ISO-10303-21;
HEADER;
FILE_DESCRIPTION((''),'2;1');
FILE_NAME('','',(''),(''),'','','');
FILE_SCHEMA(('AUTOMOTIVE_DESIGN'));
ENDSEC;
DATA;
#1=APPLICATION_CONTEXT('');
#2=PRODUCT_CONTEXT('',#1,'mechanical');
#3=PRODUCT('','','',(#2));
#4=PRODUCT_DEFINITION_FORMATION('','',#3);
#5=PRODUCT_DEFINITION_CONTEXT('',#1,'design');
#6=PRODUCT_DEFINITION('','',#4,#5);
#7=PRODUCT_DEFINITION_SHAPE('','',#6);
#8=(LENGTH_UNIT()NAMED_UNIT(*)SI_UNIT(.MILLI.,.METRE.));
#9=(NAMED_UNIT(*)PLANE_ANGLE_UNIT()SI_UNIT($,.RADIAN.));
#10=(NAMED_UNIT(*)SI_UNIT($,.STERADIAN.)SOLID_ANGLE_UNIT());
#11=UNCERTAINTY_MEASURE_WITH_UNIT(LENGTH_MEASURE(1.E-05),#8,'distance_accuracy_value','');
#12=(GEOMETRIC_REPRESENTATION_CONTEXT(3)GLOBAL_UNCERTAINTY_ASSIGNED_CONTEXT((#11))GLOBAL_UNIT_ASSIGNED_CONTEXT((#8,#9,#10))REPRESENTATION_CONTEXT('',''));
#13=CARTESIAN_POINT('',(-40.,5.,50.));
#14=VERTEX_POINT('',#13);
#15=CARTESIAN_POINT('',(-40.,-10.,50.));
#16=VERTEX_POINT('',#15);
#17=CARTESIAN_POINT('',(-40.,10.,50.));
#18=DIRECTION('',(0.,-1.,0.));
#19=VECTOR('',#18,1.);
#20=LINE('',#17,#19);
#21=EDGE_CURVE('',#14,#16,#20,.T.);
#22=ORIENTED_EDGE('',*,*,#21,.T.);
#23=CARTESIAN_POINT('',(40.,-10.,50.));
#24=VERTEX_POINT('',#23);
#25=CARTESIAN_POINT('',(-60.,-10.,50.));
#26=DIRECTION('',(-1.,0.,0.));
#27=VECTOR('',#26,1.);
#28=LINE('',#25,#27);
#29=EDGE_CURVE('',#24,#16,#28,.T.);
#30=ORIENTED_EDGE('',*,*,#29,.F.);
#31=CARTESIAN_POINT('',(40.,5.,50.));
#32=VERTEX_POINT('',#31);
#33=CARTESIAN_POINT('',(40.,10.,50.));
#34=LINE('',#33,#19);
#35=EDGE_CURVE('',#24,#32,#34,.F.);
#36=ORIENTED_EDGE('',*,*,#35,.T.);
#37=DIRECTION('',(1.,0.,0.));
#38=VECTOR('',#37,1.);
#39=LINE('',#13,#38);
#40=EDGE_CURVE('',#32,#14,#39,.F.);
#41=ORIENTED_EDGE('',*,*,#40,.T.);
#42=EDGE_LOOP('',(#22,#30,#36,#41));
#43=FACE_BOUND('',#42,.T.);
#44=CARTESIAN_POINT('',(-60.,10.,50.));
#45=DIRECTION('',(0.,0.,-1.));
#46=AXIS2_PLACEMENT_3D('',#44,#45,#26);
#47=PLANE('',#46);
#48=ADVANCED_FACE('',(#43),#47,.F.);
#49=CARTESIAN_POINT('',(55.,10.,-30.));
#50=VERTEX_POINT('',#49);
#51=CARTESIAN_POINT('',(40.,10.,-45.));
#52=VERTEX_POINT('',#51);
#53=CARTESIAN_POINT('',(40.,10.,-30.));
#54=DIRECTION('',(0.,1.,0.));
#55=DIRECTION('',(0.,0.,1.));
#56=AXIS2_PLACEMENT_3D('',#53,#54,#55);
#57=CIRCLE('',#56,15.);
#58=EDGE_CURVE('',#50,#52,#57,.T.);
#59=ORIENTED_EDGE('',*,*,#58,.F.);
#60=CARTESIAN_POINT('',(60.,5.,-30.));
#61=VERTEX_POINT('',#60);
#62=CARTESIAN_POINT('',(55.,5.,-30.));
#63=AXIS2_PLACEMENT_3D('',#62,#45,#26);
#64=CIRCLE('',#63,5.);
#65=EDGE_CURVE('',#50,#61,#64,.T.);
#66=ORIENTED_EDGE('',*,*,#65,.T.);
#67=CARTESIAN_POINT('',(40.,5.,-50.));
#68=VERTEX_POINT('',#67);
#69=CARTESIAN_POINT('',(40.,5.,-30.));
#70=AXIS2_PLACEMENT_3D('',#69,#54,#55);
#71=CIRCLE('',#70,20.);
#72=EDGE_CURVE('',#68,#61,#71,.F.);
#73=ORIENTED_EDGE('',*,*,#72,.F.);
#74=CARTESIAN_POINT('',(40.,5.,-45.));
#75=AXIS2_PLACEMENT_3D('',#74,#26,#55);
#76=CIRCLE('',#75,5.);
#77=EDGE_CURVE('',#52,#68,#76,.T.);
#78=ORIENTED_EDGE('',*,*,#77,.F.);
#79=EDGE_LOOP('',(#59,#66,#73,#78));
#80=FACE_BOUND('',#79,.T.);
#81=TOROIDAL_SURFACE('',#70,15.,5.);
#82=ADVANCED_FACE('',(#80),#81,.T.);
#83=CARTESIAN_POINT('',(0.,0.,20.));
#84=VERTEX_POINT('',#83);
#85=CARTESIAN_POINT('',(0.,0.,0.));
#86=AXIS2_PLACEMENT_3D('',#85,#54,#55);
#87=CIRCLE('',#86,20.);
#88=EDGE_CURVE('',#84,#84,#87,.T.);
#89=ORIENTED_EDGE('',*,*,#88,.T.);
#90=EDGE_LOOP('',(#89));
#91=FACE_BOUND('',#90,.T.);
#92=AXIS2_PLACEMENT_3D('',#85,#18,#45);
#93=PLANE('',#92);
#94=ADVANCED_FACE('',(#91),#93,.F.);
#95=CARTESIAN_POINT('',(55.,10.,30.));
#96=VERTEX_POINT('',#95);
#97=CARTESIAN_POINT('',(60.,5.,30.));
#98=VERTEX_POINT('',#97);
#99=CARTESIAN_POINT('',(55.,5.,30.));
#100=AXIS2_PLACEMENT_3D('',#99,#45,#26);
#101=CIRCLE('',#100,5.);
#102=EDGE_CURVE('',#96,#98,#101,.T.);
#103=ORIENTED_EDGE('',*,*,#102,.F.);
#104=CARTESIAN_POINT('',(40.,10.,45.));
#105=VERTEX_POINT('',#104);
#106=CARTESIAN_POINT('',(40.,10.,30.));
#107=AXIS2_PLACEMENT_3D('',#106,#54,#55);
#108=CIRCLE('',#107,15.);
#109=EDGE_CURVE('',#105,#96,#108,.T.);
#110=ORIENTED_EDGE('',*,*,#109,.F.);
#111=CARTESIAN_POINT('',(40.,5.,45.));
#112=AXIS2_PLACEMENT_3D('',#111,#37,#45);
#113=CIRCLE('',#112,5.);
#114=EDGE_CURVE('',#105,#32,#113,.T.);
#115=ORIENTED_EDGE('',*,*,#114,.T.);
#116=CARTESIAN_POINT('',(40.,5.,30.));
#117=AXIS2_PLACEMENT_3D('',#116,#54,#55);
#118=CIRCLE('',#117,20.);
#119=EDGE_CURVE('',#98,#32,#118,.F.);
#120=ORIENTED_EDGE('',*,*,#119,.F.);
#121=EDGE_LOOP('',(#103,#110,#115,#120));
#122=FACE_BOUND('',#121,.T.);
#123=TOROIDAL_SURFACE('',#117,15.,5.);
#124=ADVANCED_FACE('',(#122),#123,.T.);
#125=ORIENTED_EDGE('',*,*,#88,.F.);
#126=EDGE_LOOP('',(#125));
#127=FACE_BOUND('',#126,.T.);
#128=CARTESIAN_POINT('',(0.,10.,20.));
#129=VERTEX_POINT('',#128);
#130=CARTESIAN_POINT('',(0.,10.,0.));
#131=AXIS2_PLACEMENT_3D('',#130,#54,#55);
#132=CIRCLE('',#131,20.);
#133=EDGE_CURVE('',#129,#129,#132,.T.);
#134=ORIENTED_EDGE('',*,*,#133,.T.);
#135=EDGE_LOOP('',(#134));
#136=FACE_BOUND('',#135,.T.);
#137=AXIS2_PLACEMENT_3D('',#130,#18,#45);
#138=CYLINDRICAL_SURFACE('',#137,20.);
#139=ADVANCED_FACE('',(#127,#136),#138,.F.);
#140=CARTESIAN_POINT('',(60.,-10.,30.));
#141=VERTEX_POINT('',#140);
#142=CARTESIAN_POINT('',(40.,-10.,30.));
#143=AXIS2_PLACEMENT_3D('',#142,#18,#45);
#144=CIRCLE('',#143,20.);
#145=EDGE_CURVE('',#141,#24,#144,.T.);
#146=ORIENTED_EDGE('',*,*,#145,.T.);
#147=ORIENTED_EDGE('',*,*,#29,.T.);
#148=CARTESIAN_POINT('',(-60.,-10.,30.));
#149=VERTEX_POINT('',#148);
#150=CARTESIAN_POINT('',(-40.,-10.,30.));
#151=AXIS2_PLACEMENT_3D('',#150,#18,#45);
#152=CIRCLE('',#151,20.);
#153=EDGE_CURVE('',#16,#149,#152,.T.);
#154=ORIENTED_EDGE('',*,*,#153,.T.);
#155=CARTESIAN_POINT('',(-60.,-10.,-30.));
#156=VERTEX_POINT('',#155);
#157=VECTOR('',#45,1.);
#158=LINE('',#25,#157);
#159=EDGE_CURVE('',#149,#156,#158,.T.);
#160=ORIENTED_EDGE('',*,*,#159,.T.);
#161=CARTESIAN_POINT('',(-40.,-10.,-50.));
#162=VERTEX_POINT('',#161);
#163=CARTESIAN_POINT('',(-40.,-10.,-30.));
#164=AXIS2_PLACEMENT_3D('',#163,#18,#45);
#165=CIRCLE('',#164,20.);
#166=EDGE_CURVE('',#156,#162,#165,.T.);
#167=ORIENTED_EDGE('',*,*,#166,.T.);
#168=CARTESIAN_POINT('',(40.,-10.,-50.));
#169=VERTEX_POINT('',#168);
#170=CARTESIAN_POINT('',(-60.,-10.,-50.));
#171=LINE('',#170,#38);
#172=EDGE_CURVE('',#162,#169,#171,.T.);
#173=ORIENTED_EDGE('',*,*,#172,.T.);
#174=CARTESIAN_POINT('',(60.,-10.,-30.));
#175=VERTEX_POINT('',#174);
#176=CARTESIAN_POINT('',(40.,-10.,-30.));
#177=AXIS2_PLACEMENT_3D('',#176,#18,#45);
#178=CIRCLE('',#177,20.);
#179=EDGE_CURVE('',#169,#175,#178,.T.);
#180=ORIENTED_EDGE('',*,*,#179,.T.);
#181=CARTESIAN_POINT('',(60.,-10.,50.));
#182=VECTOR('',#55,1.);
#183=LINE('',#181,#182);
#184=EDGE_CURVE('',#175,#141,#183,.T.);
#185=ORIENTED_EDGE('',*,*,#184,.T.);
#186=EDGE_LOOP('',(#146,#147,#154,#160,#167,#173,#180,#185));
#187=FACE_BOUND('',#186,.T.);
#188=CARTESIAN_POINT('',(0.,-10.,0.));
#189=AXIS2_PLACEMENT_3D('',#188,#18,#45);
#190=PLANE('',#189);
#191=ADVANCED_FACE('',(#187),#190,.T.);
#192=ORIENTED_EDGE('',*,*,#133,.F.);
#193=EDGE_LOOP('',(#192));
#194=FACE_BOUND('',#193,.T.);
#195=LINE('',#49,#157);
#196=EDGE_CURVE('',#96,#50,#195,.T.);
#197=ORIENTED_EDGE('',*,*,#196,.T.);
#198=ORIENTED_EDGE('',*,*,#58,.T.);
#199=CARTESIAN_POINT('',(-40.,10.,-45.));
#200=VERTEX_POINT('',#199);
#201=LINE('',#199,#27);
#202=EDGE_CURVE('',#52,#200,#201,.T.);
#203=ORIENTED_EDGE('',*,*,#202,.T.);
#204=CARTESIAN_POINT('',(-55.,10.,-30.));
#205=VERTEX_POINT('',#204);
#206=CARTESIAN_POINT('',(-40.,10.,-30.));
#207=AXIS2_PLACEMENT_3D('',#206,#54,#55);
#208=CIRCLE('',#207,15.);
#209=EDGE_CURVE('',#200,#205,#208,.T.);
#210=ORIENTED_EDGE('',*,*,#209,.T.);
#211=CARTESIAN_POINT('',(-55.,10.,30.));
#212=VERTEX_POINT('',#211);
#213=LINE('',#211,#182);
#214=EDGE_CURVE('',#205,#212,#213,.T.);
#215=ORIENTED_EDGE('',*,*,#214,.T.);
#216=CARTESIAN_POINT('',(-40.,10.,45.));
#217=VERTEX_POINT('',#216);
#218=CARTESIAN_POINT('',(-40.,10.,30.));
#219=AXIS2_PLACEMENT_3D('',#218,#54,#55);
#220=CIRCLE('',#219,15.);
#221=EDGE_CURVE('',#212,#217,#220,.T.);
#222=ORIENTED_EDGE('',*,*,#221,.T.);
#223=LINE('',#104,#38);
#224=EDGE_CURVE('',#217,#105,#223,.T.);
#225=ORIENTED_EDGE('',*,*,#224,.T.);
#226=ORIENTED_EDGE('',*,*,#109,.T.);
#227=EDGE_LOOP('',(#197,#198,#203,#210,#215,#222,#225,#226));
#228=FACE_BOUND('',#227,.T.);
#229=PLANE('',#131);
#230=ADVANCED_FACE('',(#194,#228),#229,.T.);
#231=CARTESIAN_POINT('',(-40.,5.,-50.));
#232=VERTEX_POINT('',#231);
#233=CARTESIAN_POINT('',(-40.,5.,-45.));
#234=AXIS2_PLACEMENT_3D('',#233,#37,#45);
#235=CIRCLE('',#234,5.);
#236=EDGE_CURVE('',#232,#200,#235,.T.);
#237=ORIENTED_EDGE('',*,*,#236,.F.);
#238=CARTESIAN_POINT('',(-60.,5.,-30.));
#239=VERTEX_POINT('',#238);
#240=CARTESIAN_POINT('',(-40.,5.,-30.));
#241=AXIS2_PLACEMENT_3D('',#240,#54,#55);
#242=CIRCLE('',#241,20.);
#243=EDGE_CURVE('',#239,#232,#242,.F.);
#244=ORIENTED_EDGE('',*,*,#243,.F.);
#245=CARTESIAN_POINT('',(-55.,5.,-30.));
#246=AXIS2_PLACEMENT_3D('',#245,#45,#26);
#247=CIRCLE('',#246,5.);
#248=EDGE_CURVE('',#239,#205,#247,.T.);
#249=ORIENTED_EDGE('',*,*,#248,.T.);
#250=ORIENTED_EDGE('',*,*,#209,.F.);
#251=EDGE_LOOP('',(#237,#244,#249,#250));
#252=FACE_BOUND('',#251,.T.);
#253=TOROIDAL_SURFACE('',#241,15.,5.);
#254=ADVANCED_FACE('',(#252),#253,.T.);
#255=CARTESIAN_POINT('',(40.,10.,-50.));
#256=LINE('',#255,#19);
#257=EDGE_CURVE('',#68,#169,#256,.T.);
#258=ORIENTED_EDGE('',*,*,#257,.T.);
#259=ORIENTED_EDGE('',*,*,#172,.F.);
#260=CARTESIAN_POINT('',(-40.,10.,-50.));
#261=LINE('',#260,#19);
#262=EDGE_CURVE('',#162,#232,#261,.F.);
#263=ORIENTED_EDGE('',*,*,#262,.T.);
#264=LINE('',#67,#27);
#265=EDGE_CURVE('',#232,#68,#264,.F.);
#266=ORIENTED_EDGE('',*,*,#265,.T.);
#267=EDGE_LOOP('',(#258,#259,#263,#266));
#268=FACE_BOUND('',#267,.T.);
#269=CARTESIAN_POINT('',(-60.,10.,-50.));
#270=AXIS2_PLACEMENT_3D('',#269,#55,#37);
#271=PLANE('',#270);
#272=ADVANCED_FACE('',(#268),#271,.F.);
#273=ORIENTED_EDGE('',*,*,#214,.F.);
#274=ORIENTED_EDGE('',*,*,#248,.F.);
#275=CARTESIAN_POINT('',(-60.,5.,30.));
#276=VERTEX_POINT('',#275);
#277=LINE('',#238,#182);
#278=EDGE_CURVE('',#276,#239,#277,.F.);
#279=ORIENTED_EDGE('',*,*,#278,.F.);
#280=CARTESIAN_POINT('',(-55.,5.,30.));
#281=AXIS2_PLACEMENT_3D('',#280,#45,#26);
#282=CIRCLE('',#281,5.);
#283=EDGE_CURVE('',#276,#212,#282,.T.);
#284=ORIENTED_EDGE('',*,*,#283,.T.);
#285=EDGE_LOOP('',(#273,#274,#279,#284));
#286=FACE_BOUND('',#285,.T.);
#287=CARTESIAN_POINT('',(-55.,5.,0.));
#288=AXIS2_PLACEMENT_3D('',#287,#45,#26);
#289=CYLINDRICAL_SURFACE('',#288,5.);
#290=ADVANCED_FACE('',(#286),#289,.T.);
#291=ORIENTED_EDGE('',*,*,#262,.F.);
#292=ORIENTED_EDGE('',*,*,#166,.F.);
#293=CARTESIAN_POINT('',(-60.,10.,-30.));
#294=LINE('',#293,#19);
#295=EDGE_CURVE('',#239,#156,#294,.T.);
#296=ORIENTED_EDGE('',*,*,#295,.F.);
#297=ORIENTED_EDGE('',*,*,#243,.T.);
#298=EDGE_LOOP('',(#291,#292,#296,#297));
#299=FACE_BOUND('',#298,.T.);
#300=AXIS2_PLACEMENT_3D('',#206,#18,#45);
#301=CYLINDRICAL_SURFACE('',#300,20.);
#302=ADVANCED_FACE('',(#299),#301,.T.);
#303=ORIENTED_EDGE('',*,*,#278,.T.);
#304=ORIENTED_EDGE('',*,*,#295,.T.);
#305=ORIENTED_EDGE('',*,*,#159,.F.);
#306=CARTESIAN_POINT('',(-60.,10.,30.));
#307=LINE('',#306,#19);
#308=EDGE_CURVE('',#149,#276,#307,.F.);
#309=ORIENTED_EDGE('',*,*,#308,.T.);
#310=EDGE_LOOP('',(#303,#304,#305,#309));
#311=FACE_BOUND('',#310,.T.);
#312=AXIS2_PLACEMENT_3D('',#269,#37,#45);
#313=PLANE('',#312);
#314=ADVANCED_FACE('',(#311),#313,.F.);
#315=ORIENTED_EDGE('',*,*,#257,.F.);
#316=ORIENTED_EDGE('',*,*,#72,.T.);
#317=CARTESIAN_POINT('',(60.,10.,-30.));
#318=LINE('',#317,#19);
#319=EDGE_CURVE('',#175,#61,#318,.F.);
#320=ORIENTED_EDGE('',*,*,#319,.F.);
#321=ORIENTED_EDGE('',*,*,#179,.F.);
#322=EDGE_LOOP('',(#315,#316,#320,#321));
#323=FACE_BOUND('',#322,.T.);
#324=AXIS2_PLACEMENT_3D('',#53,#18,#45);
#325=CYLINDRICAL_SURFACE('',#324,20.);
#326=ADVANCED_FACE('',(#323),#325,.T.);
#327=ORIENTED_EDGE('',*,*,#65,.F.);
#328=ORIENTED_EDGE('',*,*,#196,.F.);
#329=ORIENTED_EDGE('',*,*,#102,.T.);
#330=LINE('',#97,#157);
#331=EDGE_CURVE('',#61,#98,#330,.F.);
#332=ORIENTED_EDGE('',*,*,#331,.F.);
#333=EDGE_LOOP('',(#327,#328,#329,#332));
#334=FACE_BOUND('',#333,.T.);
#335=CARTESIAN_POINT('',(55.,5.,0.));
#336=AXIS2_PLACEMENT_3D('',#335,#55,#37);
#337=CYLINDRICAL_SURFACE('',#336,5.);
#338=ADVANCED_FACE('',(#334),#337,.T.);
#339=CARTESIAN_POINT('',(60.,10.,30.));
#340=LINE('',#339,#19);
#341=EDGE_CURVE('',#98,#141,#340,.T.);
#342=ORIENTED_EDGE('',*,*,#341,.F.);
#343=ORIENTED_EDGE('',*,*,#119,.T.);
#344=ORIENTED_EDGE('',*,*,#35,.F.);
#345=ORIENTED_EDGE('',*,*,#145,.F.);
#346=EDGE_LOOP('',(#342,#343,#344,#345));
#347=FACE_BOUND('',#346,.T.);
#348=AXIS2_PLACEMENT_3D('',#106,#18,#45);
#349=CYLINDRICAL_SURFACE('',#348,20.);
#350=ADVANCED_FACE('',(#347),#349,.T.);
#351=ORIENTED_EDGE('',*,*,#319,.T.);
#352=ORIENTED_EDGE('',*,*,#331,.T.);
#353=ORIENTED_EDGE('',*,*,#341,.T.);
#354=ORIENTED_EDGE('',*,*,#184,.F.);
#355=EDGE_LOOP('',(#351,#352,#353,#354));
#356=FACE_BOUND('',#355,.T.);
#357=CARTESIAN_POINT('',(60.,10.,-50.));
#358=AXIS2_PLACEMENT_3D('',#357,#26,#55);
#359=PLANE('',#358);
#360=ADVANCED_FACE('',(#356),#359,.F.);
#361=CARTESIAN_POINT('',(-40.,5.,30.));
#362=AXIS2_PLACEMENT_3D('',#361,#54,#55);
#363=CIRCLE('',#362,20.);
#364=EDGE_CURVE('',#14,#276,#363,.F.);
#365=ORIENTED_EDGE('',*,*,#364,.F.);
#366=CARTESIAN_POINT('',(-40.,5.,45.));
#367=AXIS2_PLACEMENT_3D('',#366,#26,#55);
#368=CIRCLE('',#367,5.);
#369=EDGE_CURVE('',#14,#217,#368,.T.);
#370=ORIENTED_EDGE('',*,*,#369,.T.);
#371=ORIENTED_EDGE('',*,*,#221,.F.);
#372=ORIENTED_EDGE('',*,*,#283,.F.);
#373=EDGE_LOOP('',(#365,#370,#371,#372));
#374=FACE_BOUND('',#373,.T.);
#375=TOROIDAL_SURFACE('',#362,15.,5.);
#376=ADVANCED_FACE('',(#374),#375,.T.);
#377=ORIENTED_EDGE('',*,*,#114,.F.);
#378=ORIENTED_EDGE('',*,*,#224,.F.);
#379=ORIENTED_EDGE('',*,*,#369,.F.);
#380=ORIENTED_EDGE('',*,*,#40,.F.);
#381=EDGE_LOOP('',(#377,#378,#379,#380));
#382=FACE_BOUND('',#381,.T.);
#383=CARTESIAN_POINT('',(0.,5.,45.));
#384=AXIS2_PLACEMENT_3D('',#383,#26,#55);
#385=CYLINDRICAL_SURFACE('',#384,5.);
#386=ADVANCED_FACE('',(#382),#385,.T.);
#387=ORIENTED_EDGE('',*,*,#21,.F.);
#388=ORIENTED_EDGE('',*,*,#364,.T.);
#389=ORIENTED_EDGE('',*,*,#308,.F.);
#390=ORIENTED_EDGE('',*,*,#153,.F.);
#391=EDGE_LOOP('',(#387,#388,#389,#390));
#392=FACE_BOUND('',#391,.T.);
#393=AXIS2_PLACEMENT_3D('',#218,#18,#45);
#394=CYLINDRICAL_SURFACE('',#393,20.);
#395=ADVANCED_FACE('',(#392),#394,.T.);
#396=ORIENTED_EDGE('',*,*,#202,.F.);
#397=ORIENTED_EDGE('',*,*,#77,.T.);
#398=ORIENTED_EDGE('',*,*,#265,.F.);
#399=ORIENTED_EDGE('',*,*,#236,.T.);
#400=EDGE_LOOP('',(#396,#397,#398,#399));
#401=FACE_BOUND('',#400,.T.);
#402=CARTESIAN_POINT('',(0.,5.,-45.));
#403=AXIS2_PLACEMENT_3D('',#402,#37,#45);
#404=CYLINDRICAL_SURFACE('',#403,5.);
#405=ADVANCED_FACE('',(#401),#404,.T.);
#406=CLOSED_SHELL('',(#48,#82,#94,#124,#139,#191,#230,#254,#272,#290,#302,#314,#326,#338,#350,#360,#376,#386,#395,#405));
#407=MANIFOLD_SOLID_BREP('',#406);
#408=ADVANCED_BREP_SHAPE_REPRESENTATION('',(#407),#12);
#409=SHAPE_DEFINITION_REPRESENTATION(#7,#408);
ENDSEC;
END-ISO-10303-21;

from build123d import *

# Parameters (mm, degrees)
SKETCH2_W           = 120
SKETCH2_H           = 100
SKETCH2_R           = 20
BOSS_EXTRUDE1_DEPTH = 10
SKETCH3_W           = 120
SKETCH3_H           = 100
BOSS_EXTRUDE2_DEPTH = 10
FILLET1_R           = 20
FILLET2_R           = 5


with BuildPart() as part:
    # Sketch2 → Boss-Extrude1 (new body)
    with BuildSketch(Plane(origin=(0, 0, 0), x_dir=(1, 0, 0), z_dir=(0, 1, 0))):
        Rectangle(SKETCH2_W, SKETCH2_H)
        with Locations(Location((0, 0, 0), (0, 0, 270))):
            Circle(SKETCH2_R, mode=Mode.SUBTRACT)
    extrude(amount=BOSS_EXTRUDE1_DEPTH)

    # Sketch3 → Boss-Extrude2 (add)
    with BuildSketch(Plane.XZ):
        Rectangle(SKETCH3_W, SKETCH3_H)
    extrude(amount=BOSS_EXTRUDE2_DEPTH)

    # Fillet1
    fillet1_edges = [part.edges().sort_by_distance(p)[0] for p in [
        (60, 0, 50),
        (-60, 0, 50),
        (-60, 0, -50),
        (60, 0, -50),
    ]]
    fillet(fillet1_edges, radius=FILLET1_R)

    # Fillet2
    fillet2_edges = [part.edges().sort_by_distance(p)[0] for p in [
        (-60, 10, 0),
        (0, 10, -50),
        (60, 10, 0),
        (0, 10, 50),
        (54.142135624, 10, 44.142135624),
        (54.142135624, 10, -44.142135624),
        (-54.142135624, 10, 44.142135624),
        (-54.142135624, 10, -44.142135624),
    ]]
    fillet(fillet2_edges, radius=FILLET2_R)


solid = part.part
